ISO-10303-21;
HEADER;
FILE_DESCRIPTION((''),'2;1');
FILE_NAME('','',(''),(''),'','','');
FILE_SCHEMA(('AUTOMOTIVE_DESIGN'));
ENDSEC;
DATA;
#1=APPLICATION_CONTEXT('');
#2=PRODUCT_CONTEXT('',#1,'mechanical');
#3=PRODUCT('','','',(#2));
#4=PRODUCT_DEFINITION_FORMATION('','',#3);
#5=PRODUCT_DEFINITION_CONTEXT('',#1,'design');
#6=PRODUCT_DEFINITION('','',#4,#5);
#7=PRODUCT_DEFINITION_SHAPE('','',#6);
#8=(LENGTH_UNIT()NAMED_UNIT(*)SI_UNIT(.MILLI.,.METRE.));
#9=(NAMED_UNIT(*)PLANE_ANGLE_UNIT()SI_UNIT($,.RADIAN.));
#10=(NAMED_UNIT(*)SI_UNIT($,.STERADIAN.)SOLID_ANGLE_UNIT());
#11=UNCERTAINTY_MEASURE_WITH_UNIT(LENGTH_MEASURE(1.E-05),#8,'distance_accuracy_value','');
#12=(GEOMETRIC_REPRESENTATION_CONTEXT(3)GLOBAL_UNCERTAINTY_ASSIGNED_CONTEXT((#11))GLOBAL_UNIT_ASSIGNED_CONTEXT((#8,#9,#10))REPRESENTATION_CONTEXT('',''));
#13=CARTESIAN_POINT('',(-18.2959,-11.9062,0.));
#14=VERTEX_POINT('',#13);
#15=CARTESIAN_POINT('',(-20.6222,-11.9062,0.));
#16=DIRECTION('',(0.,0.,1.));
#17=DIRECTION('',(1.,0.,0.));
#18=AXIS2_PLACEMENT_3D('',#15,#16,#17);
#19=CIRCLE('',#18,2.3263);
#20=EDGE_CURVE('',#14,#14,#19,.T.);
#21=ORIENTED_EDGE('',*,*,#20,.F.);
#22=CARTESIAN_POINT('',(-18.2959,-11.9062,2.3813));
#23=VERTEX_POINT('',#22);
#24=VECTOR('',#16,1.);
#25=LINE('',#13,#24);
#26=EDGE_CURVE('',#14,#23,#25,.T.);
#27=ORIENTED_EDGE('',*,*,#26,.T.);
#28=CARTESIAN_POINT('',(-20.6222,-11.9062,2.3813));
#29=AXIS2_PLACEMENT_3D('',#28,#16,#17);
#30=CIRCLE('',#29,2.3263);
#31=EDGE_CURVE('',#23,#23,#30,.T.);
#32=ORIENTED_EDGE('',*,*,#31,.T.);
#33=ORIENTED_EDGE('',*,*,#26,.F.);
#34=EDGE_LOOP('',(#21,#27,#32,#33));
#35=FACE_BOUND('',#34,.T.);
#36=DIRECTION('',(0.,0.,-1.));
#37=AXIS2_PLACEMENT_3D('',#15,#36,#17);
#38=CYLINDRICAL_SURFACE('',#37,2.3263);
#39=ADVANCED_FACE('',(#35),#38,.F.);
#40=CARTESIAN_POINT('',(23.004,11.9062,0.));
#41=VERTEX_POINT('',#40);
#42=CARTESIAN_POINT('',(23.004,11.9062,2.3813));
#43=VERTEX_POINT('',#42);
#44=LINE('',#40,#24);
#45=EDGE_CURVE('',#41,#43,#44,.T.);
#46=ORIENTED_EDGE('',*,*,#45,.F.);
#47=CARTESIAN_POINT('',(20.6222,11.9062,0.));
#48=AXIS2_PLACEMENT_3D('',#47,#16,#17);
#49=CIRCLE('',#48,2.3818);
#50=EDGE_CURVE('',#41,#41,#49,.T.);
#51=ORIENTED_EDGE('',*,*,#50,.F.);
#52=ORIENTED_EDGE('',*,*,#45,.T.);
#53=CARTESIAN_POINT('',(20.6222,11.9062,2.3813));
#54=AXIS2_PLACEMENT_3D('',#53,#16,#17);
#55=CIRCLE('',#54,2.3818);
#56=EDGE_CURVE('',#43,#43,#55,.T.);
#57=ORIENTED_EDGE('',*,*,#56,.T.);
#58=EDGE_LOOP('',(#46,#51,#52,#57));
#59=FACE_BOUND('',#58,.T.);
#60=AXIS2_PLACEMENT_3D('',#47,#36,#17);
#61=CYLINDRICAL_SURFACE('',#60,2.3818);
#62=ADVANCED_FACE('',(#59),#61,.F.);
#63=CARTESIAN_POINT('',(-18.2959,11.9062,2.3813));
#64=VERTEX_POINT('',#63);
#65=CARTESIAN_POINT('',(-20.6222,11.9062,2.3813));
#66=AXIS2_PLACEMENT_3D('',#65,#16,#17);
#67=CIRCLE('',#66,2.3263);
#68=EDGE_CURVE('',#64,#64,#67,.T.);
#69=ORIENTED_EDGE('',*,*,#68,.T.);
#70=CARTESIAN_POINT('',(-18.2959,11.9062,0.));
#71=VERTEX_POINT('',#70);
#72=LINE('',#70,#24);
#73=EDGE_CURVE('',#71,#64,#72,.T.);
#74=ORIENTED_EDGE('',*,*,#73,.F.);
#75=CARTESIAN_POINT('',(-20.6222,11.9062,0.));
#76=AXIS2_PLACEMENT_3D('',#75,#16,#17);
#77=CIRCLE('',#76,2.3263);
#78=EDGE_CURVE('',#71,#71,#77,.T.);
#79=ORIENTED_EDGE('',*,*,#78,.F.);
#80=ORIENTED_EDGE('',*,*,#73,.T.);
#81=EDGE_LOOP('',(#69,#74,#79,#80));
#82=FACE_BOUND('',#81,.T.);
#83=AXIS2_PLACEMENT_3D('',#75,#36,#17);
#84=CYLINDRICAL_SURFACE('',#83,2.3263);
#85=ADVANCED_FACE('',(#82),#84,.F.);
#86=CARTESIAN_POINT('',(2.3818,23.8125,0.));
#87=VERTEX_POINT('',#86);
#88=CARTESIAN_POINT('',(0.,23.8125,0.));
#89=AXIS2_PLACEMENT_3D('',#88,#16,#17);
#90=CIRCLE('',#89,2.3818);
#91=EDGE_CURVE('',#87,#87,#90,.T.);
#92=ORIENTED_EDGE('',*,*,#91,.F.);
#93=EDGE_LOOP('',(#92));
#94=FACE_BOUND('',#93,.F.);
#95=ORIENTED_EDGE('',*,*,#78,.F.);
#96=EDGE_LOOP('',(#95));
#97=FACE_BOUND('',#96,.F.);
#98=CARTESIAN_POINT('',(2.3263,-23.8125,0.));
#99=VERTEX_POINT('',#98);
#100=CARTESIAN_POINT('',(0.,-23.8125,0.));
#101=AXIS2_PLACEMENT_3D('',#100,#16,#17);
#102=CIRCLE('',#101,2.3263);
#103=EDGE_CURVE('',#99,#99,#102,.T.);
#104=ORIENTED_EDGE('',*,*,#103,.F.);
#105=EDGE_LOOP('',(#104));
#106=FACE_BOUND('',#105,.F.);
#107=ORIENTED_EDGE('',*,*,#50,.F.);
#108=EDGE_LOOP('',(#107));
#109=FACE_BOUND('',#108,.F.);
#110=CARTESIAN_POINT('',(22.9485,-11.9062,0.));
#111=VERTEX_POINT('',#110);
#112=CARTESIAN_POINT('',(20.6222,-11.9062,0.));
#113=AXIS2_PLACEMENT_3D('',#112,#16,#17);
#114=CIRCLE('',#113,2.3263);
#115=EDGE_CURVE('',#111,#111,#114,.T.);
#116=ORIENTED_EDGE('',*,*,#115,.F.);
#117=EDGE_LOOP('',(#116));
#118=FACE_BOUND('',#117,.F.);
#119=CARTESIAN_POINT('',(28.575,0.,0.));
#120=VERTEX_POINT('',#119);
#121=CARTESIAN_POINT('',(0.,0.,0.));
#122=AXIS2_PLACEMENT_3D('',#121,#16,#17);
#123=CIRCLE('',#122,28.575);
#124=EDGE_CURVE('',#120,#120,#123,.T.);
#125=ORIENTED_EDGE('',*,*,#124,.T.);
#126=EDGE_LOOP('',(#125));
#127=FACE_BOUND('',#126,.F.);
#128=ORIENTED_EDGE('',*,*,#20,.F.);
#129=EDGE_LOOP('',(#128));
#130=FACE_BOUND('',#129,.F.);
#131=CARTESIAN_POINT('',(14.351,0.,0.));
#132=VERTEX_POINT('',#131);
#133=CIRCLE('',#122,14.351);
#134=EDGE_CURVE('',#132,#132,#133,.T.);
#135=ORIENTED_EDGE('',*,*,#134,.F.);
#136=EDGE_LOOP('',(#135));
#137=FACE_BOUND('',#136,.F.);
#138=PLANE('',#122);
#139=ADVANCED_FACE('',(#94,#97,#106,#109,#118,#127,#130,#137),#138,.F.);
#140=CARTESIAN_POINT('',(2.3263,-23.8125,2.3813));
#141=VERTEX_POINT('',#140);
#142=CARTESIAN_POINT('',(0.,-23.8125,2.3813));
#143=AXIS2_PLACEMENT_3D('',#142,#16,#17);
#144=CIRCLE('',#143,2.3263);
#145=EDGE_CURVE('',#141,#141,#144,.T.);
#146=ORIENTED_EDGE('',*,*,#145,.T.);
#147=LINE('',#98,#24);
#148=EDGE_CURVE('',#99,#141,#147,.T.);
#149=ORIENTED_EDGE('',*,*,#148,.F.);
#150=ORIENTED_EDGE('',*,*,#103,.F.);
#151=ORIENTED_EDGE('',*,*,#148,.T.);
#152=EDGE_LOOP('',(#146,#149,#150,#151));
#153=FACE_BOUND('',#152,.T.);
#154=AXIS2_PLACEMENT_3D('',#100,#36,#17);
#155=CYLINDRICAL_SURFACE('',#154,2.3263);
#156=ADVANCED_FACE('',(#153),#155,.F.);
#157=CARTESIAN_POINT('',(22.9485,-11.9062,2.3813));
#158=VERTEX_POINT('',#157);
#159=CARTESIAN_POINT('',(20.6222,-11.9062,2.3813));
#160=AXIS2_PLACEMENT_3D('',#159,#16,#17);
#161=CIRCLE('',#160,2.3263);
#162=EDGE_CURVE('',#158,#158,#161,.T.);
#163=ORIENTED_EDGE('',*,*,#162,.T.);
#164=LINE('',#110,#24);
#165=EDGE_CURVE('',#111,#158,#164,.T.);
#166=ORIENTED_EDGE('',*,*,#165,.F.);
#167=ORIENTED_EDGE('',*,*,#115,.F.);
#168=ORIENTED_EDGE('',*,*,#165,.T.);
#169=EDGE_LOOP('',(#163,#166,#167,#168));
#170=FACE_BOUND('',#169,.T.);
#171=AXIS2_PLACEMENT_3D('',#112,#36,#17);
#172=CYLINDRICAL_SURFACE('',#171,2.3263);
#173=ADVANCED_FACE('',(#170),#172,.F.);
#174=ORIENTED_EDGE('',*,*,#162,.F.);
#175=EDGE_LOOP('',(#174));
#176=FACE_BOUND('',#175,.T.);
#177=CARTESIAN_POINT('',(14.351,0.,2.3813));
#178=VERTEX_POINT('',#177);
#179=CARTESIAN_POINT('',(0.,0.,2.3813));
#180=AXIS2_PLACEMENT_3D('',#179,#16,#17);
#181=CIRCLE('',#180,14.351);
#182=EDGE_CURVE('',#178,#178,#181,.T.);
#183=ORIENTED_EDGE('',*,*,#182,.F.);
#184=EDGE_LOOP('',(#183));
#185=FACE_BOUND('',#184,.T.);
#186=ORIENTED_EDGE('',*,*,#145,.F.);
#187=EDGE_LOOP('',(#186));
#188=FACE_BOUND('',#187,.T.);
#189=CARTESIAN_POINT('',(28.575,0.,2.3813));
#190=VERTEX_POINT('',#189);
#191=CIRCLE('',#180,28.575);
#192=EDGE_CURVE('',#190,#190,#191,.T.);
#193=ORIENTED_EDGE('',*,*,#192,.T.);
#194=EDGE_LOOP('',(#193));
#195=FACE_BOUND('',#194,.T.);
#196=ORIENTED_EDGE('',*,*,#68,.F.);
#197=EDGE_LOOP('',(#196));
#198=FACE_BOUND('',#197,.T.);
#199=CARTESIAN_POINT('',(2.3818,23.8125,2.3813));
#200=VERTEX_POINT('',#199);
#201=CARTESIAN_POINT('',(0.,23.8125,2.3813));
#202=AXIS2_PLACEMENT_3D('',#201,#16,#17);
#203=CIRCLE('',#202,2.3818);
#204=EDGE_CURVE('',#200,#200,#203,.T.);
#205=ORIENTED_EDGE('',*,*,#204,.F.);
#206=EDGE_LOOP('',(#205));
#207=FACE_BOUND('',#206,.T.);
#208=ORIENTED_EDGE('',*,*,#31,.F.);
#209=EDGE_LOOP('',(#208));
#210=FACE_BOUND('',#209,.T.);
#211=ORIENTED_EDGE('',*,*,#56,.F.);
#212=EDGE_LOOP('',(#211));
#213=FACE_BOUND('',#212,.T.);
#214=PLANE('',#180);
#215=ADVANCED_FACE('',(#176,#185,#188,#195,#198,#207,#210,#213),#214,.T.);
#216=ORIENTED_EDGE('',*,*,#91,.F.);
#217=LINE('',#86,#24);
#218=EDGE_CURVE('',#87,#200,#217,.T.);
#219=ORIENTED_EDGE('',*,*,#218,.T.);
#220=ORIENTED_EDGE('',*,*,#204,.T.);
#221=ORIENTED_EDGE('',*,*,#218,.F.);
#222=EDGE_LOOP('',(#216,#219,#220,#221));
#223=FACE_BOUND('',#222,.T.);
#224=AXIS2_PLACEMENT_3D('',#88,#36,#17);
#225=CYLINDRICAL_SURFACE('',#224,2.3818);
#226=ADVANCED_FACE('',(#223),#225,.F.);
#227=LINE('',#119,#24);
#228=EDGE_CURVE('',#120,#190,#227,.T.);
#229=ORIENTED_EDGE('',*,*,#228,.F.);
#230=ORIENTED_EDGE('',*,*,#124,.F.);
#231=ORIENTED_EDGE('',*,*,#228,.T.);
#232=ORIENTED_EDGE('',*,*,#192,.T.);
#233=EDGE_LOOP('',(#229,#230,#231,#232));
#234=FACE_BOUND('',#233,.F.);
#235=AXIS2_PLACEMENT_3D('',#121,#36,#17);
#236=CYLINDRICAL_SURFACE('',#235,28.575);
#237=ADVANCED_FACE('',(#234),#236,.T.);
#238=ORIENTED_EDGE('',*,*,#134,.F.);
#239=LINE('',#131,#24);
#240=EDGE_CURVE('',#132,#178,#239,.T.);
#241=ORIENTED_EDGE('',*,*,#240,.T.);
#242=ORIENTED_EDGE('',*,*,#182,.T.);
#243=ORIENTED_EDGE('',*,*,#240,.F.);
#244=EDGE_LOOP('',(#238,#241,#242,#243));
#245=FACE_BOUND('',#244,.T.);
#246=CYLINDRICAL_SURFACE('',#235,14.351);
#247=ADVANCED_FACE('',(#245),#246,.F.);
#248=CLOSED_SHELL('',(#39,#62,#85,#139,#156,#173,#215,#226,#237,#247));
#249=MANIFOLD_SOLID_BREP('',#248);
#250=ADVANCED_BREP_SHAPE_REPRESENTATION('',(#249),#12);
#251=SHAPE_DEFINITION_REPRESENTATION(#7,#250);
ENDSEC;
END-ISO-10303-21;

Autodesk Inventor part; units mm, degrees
ref_plane "YZ Plane" through (0, 0, 0) normal (1, 0, 0) x (0, 1, 0)
ref_plane "XZ Plane" through (0, 0, 0) normal (0, 1, 0) x (-1, 0, 0)
ref_plane "XY Plane" through (0, 0, 0) normal (0, 0, 1) x (1, 0, 0)
sketch "Sketch1" plane through (0, 0, 0) normal (0, 0, 1) x (1, 0, 0)
  circle A0 centre (0, 0) radius 28.575
  circle A1 centre (20.6222, 11.9062) radius 2.3818
  circle A2 centre (0, 0) radius 14.351
  circle A3 centre (-20.6222, 11.9062) radius 2.3263
  circle A4 centre (-20.6222, -11.9062) radius 2.3263
  circle A5 centre (0, -23.8125) radius 2.3263
  circle A6 centre (20.6222, -11.9062) radius 2.3263
  circle A7 centre (0, 23.8125) radius 2.3818
extrude "Extrusion1" add sketch "Sketch1" along normal blind 2.3813
properties part number "94 Sprocket Spacer Custom Polycarb" material "Polycarbonate, Smoke"
